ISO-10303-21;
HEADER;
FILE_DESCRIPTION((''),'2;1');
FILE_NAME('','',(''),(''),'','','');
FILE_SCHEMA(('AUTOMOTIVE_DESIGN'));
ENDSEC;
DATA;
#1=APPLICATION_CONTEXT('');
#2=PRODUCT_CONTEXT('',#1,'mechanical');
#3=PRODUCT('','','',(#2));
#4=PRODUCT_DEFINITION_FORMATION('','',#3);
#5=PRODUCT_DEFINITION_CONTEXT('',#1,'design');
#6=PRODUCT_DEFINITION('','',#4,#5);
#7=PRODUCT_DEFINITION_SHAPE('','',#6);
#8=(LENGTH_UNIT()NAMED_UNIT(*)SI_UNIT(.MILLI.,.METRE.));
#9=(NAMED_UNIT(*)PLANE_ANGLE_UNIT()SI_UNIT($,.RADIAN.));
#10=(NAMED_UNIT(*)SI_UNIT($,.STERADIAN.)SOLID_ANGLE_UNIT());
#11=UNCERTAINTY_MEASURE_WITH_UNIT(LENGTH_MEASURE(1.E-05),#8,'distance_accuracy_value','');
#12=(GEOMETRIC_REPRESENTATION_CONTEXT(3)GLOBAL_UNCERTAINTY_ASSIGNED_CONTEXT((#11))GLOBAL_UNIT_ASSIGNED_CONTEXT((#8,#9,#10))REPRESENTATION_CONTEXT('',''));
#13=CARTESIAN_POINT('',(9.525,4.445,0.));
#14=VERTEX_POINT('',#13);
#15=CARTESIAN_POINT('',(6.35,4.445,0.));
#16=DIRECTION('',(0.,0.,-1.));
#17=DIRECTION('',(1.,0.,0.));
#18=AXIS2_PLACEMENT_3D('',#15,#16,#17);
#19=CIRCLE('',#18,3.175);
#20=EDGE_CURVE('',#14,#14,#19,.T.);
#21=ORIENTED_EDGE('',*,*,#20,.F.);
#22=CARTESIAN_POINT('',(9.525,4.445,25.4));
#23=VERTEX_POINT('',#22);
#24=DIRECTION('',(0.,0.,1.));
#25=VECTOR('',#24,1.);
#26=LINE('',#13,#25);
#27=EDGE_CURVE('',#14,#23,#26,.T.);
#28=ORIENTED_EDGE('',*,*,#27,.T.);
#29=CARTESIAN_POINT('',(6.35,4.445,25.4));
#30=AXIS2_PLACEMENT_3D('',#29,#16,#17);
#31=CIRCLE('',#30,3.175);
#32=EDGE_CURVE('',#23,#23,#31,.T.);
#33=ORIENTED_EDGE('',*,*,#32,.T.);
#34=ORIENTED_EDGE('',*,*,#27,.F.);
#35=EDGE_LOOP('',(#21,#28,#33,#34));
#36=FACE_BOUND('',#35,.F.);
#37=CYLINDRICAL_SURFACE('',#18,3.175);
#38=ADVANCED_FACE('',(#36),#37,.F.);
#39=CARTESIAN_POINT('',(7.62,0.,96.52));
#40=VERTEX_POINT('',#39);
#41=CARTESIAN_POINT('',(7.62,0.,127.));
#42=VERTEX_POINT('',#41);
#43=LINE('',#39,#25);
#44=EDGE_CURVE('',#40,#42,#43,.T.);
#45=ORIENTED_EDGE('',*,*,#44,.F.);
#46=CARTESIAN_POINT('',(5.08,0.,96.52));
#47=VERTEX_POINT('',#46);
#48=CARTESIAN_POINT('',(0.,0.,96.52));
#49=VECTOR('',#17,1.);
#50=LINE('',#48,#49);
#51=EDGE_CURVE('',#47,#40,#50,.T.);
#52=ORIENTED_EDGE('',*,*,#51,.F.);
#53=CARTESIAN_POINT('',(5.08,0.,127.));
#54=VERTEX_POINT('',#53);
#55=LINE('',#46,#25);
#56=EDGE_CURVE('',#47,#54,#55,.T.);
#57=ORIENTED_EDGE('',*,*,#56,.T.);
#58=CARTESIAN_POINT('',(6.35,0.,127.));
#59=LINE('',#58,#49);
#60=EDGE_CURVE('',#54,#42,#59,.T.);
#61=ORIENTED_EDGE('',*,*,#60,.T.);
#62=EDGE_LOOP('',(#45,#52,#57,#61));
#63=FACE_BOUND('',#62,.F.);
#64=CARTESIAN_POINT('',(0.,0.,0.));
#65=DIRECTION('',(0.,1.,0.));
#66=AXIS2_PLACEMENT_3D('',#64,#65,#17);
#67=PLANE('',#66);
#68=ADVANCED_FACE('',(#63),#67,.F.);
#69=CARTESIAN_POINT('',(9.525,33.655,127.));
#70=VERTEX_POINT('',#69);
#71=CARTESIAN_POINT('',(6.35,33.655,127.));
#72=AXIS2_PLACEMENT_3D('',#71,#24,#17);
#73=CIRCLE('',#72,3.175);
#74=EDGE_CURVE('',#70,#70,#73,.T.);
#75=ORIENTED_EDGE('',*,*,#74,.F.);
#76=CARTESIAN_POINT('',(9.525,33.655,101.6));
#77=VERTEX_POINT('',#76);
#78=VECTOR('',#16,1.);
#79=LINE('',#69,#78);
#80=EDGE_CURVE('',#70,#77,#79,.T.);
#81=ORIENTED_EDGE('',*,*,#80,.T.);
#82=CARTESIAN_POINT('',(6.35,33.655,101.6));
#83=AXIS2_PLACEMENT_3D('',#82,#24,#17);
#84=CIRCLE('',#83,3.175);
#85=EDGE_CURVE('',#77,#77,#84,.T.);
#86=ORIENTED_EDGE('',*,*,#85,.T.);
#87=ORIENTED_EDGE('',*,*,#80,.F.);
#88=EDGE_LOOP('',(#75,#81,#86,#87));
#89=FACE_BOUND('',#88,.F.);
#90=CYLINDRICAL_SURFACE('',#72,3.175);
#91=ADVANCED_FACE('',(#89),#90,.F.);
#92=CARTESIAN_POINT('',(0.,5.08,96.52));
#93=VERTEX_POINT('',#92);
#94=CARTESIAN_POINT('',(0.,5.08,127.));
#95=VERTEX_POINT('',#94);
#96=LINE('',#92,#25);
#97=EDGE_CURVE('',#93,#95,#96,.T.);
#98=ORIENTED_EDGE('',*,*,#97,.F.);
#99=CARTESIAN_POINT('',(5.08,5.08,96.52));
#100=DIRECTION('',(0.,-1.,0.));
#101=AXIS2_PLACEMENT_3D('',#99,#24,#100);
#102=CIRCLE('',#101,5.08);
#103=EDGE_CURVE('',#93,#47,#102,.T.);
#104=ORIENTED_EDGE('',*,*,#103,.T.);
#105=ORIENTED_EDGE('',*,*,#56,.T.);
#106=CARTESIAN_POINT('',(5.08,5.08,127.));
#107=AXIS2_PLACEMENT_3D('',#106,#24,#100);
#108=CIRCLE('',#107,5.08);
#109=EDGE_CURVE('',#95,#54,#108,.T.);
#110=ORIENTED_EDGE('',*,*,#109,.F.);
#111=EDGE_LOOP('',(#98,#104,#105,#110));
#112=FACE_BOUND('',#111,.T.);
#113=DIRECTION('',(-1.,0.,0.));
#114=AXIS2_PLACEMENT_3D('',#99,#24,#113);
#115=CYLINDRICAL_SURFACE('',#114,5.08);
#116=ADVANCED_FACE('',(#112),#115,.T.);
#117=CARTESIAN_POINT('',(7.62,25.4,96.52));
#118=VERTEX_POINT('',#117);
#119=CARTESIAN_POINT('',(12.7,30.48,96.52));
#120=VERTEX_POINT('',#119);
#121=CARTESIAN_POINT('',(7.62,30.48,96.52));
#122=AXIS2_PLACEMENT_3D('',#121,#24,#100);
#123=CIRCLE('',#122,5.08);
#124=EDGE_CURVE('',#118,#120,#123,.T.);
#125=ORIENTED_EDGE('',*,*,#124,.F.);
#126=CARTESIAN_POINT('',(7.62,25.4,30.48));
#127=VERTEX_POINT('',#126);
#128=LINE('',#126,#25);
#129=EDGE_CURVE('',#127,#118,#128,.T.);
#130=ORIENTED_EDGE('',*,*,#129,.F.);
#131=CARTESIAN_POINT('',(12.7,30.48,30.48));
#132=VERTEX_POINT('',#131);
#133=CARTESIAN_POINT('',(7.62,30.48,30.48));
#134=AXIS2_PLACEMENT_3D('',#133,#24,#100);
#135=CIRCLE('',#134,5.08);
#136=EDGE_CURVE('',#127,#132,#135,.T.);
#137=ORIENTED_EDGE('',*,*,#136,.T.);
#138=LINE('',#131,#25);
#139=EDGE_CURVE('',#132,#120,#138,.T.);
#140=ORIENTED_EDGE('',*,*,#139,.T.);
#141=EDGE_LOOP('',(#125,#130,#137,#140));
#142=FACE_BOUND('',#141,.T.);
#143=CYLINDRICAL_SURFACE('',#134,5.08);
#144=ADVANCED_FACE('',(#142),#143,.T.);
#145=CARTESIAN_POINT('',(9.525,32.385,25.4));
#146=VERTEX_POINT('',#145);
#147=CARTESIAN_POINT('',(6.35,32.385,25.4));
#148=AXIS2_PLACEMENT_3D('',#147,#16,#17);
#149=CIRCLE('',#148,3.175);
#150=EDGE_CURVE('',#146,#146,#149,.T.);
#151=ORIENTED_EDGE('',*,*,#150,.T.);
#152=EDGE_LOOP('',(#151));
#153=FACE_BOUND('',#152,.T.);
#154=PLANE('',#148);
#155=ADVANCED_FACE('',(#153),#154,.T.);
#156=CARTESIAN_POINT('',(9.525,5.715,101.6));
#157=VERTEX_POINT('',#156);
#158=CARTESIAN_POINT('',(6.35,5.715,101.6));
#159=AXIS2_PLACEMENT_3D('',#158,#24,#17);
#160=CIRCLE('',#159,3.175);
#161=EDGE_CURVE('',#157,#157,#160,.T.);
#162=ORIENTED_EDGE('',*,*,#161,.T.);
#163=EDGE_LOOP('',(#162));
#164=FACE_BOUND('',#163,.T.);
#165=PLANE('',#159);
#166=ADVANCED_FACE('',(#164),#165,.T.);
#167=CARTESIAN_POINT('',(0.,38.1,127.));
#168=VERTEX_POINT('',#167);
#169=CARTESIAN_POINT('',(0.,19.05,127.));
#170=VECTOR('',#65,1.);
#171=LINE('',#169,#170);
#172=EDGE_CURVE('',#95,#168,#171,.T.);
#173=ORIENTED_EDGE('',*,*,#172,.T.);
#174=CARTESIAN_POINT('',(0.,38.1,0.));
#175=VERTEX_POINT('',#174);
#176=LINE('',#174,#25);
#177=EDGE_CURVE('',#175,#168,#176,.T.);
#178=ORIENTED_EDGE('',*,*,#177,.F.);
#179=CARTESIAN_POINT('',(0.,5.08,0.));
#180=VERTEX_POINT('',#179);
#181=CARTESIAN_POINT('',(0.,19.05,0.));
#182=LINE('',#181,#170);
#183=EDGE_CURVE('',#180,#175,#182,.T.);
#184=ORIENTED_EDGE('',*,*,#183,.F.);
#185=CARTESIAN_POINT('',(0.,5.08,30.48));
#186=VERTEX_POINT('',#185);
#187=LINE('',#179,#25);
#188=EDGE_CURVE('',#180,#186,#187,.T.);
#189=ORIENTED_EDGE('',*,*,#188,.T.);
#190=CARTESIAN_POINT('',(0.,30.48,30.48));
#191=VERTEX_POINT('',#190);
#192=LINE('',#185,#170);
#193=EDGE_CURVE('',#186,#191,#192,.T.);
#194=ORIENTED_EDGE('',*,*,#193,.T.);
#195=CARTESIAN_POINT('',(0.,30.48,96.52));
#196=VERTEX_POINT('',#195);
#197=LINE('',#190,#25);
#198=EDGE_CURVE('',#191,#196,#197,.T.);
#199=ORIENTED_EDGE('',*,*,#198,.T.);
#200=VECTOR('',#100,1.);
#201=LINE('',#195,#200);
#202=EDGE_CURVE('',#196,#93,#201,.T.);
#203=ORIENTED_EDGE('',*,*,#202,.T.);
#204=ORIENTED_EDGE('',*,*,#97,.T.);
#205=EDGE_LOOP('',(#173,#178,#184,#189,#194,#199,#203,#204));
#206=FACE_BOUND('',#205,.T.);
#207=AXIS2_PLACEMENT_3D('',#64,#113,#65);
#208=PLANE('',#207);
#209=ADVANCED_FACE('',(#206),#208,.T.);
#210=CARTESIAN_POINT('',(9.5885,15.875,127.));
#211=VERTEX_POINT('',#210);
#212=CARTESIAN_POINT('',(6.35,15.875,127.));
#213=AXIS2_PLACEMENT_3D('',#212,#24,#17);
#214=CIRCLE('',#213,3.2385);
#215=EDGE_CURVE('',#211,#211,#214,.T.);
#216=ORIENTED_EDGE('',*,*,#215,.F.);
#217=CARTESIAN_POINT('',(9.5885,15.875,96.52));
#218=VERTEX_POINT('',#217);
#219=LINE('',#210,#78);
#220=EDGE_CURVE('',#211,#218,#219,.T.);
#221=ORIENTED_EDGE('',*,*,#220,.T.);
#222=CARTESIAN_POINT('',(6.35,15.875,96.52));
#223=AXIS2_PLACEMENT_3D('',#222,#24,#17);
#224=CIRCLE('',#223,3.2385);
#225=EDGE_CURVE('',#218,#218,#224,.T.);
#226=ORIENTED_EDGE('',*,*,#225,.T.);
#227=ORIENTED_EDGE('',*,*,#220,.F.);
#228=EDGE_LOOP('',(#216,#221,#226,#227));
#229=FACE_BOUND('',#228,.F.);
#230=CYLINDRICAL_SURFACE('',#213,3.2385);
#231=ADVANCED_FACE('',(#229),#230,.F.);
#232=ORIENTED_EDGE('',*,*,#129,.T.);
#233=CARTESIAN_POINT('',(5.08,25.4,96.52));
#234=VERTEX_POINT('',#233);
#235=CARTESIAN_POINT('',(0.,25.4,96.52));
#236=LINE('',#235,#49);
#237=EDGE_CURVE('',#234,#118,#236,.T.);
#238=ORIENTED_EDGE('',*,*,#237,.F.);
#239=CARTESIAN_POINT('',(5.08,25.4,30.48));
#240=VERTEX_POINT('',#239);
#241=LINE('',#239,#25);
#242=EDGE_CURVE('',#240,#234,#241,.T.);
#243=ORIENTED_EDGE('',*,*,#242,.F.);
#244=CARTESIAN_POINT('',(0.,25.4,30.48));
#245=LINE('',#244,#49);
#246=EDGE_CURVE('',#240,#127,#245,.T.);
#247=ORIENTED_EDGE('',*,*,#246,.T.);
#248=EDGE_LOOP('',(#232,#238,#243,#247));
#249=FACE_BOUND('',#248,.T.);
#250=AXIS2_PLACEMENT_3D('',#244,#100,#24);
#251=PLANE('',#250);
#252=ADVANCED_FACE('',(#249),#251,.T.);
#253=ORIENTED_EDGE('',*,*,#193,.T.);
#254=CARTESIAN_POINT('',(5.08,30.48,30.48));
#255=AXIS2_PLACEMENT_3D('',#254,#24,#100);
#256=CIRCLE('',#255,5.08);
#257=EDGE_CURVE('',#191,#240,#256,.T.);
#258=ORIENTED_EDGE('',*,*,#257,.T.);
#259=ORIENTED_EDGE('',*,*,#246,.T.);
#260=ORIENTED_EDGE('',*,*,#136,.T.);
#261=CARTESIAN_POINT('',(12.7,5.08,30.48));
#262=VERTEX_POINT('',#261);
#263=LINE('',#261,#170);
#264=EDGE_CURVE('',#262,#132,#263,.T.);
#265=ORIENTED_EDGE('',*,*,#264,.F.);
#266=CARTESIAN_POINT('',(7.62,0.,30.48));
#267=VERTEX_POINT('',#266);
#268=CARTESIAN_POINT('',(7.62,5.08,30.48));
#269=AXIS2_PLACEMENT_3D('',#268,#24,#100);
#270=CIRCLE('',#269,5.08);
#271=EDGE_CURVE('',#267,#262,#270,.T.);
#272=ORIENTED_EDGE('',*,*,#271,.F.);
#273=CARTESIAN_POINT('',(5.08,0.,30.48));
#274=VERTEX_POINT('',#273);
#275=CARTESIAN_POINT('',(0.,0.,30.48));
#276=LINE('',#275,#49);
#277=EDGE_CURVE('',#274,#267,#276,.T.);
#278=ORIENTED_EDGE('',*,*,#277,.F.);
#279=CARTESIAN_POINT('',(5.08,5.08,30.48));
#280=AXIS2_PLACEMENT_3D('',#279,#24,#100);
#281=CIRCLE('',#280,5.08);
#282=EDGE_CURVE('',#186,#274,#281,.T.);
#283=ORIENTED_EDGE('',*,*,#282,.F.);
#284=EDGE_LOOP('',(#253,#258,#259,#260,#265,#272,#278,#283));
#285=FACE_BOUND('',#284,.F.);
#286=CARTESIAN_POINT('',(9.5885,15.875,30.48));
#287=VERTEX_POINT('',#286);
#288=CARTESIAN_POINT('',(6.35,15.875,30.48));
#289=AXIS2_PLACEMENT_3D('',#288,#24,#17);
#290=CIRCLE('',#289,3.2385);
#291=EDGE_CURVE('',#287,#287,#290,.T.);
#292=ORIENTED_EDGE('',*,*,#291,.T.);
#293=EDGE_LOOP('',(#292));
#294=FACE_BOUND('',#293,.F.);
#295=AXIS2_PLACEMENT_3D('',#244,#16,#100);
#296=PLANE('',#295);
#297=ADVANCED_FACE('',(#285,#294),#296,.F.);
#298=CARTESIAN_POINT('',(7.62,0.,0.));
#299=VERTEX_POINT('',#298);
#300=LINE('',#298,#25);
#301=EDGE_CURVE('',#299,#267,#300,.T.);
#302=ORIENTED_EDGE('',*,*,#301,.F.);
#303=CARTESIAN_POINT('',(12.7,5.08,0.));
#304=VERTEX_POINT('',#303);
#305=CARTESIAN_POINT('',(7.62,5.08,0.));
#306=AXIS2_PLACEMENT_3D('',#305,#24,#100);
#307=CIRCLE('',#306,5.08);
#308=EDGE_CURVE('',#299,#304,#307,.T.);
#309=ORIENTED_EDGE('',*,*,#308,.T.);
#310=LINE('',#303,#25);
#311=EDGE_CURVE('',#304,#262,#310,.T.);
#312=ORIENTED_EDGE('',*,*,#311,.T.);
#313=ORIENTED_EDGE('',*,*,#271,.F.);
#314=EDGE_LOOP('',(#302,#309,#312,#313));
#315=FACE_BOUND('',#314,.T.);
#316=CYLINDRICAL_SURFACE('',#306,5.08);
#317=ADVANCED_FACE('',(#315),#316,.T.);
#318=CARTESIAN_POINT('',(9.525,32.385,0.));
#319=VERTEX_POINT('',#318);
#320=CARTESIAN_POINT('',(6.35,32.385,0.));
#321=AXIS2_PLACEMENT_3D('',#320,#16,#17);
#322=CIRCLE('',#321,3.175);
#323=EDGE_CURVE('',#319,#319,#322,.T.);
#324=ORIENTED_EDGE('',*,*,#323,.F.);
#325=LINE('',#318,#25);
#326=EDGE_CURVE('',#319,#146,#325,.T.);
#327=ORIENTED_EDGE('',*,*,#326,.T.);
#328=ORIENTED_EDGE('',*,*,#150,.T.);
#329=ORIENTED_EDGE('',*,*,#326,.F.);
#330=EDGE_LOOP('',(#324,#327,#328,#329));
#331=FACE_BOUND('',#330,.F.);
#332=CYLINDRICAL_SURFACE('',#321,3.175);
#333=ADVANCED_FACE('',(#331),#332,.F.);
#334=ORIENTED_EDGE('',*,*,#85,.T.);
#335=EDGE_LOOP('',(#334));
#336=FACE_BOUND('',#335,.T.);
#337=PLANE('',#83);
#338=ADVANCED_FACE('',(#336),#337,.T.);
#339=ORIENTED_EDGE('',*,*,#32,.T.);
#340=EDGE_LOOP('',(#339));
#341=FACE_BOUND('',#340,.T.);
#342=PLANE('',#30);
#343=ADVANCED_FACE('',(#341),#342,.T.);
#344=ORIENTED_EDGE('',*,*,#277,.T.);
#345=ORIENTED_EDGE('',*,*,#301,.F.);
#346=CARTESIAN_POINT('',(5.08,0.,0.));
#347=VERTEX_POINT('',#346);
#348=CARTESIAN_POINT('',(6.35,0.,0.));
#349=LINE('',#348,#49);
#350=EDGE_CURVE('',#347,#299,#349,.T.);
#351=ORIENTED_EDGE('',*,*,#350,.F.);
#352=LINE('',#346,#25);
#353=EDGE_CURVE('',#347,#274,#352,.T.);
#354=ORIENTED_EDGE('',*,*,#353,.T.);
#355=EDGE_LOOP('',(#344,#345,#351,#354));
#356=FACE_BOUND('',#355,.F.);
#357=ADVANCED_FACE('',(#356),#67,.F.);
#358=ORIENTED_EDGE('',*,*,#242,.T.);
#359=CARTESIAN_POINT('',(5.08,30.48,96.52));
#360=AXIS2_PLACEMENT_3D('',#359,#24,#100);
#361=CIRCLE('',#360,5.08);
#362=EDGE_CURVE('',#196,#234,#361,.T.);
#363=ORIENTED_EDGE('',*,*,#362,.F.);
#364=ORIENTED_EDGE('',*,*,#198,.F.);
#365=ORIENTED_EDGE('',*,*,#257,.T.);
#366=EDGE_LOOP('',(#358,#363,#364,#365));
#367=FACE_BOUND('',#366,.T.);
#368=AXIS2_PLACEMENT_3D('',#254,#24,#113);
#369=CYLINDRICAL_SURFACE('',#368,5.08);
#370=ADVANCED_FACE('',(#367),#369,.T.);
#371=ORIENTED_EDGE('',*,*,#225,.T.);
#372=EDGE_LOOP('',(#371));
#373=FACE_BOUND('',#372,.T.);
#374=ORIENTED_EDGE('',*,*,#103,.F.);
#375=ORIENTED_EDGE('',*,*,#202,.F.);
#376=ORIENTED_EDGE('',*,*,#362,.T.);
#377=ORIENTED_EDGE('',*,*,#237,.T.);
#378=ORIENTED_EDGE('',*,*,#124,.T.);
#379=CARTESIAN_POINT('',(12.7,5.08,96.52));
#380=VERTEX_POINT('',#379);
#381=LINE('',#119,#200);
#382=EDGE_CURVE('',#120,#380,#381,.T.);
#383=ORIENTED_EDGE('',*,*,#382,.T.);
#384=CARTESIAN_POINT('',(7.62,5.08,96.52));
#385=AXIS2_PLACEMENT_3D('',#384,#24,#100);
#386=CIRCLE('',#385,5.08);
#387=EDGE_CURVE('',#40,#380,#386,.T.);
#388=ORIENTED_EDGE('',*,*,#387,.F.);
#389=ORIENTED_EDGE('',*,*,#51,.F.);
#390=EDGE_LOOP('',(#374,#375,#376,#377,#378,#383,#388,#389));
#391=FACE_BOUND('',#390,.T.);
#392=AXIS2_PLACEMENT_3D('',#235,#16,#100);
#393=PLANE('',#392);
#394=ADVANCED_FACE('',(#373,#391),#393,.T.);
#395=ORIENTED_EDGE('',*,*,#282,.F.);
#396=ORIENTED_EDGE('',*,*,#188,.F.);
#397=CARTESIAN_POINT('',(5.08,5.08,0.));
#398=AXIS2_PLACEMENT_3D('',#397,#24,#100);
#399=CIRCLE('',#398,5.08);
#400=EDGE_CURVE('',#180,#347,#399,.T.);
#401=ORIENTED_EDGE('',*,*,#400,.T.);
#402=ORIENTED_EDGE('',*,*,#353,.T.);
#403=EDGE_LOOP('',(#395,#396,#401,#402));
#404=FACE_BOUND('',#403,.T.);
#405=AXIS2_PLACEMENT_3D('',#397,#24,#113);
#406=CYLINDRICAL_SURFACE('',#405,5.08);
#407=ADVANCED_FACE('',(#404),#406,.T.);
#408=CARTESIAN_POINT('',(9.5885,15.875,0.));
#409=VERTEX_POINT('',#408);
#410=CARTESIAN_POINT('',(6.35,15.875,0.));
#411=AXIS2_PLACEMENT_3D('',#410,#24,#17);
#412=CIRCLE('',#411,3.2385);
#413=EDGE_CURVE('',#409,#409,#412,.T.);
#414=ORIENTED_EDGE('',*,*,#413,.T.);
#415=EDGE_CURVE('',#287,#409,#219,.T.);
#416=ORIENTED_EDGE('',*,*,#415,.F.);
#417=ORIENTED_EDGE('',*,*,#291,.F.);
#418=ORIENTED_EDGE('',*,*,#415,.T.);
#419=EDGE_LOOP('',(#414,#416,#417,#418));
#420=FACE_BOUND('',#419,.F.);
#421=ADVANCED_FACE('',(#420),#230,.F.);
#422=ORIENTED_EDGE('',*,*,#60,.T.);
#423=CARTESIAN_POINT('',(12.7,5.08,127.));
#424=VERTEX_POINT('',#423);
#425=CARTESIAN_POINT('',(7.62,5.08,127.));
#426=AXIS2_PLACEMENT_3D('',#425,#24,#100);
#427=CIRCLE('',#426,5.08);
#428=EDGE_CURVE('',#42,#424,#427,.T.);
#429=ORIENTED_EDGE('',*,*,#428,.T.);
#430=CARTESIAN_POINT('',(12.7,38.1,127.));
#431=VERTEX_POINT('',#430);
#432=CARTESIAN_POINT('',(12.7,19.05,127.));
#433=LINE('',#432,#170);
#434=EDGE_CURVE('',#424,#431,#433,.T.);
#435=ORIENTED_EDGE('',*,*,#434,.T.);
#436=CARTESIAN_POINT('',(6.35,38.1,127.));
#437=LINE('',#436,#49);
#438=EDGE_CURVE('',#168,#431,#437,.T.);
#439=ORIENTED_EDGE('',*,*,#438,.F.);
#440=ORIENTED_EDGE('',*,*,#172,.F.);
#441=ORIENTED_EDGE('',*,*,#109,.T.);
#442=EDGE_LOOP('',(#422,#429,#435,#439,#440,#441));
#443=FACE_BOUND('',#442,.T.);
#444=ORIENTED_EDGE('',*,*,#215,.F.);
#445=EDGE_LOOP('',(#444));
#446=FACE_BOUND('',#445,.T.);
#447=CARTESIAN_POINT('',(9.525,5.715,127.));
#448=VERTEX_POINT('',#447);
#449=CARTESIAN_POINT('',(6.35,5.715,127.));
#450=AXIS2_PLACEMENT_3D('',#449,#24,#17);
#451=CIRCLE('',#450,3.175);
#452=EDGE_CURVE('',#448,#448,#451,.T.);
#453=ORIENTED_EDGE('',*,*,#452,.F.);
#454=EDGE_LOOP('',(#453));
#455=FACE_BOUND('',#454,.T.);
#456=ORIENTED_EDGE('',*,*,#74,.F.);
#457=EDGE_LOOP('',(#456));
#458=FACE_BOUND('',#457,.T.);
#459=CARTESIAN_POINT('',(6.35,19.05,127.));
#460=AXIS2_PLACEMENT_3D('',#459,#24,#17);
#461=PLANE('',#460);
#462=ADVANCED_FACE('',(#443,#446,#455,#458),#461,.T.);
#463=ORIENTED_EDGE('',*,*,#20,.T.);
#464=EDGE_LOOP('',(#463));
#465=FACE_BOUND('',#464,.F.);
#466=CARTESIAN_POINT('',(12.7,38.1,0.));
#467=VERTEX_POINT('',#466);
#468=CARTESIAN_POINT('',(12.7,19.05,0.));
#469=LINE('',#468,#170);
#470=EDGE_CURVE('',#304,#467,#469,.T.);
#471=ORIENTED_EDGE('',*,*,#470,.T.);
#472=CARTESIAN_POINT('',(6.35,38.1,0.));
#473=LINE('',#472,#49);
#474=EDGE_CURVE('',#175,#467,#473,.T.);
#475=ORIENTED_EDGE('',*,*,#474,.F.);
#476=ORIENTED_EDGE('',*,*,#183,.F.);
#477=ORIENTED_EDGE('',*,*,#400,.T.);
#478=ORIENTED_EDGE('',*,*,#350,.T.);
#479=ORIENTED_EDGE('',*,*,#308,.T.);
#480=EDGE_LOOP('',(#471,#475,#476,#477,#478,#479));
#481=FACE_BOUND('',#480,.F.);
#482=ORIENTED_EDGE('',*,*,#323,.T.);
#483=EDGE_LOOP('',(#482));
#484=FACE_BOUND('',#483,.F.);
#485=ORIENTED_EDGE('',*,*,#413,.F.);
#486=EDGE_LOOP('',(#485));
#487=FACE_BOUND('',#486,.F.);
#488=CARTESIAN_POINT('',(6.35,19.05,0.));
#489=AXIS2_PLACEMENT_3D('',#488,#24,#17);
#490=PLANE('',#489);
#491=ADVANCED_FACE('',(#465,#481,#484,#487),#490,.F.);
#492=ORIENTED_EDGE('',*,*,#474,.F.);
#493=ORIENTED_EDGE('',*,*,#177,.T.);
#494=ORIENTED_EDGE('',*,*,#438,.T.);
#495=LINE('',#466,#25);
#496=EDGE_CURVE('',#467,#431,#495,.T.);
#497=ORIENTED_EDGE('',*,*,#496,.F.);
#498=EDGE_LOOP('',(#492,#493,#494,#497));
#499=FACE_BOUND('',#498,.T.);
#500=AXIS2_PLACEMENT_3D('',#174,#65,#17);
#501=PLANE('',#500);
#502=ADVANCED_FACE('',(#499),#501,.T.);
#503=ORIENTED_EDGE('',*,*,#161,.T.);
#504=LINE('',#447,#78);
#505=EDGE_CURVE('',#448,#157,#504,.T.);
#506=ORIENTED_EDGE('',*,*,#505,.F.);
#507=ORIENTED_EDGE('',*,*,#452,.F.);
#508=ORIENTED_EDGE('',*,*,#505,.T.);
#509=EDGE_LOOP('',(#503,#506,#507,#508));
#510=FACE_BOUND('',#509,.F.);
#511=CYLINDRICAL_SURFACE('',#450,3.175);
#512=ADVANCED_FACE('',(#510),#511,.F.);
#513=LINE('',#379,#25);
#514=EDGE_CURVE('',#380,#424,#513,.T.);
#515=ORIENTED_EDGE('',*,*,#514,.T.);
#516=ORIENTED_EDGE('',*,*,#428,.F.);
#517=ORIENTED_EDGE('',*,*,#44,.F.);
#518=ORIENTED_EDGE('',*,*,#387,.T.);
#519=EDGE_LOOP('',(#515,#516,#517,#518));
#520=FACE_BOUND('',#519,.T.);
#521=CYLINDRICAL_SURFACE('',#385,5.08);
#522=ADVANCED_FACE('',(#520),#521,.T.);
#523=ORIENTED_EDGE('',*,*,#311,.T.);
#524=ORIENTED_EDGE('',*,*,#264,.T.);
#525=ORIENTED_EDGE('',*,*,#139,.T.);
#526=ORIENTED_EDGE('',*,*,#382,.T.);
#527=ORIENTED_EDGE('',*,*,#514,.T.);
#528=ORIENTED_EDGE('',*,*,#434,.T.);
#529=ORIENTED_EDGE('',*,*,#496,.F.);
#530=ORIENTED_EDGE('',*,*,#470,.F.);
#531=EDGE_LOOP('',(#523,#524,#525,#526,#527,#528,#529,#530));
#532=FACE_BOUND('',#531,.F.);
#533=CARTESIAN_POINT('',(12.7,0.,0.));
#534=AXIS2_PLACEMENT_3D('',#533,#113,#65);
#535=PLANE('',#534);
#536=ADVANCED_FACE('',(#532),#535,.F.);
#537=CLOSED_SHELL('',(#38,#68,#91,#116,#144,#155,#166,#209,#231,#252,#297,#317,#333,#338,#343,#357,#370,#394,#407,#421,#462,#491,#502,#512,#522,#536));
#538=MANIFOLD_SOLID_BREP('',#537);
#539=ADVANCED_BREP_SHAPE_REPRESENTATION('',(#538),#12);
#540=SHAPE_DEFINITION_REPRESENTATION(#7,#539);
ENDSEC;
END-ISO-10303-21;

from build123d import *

# Parameters (mm, degrees)
F0_W     = 12.7
F0_H     = 38.1
F1_DEPTH = 127
F2_R     = 3.2385
F3_DEPTH = 152.4
F2_R_2   = 3.175
F4_DEPTH = 25.4
F5_R     = 3.175
F6_DEPTH = 25.4
F7_W     = 25.4
F7_H     = 66.04
F8_DEPTH = 25.4
F9_R     = 5.08


with BuildPart() as f1:
    # F0 (on Top) → F1 (new body)
    with BuildSketch(Plane.XY):
        with Locations((6.35, 19.05)):
            Rectangle(F0_W, F0_H)
    extrude(amount=F1_DEPTH)

    # F2 (on face) → F3 (cut)
    with BuildSketch(Plane.XY.offset(127)):
        with Locations((6.35, 15.875)):
            Circle(F2_R)
    extrude(amount=-F3_DEPTH, mode=Mode.SUBTRACT)

    # F2 (on face) → F4 (cut)
    with BuildSketch(Plane.XY.offset(127)):
        with Locations((6.35, 33.655)):
            Circle(F2_R_2)
        with Locations((6.35, 5.715)):
            Circle(F2_R_2)
    extrude(amount=-F4_DEPTH, mode=Mode.SUBTRACT)

    # F5 (on face) → F6 (cut)
    with BuildSketch(Plane(origin=(0, 0, 0), x_dir=(1, 0, 0), z_dir=(0, 0, -1))):
        with Locations((6.35, -4.445)):
            Circle(F5_R)
        with Locations((6.35, -32.385)):
            Circle(F5_R)
    extrude(amount=-F6_DEPTH, mode=Mode.SUBTRACT)

    # F7 (on face) → F8 (cut)
    with BuildSketch(Plane(origin=(0, 0, 0), x_dir=(0, -1, 0), z_dir=(-1, 0, 0))):
        with Locations((-12.7, 63.5)):
            Rectangle(F7_W, F7_H)
    extrude(amount=-F8_DEPTH, mode=Mode.SUBTRACT)

    # F9
    f9_edges = [f1.edges().sort_by_distance(p)[0] for p in [
        (12.7, 0, 15.24),
        (12.7, 0, 111.76),
        (0, 0, 15.24),
        (0, 0, 111.76),
        (12.7, 25.4, 63.5),
        (0, 25.4, 63.5),
    ]]
    fillet(f9_edges, radius=F9_R)


solid = f1.part
